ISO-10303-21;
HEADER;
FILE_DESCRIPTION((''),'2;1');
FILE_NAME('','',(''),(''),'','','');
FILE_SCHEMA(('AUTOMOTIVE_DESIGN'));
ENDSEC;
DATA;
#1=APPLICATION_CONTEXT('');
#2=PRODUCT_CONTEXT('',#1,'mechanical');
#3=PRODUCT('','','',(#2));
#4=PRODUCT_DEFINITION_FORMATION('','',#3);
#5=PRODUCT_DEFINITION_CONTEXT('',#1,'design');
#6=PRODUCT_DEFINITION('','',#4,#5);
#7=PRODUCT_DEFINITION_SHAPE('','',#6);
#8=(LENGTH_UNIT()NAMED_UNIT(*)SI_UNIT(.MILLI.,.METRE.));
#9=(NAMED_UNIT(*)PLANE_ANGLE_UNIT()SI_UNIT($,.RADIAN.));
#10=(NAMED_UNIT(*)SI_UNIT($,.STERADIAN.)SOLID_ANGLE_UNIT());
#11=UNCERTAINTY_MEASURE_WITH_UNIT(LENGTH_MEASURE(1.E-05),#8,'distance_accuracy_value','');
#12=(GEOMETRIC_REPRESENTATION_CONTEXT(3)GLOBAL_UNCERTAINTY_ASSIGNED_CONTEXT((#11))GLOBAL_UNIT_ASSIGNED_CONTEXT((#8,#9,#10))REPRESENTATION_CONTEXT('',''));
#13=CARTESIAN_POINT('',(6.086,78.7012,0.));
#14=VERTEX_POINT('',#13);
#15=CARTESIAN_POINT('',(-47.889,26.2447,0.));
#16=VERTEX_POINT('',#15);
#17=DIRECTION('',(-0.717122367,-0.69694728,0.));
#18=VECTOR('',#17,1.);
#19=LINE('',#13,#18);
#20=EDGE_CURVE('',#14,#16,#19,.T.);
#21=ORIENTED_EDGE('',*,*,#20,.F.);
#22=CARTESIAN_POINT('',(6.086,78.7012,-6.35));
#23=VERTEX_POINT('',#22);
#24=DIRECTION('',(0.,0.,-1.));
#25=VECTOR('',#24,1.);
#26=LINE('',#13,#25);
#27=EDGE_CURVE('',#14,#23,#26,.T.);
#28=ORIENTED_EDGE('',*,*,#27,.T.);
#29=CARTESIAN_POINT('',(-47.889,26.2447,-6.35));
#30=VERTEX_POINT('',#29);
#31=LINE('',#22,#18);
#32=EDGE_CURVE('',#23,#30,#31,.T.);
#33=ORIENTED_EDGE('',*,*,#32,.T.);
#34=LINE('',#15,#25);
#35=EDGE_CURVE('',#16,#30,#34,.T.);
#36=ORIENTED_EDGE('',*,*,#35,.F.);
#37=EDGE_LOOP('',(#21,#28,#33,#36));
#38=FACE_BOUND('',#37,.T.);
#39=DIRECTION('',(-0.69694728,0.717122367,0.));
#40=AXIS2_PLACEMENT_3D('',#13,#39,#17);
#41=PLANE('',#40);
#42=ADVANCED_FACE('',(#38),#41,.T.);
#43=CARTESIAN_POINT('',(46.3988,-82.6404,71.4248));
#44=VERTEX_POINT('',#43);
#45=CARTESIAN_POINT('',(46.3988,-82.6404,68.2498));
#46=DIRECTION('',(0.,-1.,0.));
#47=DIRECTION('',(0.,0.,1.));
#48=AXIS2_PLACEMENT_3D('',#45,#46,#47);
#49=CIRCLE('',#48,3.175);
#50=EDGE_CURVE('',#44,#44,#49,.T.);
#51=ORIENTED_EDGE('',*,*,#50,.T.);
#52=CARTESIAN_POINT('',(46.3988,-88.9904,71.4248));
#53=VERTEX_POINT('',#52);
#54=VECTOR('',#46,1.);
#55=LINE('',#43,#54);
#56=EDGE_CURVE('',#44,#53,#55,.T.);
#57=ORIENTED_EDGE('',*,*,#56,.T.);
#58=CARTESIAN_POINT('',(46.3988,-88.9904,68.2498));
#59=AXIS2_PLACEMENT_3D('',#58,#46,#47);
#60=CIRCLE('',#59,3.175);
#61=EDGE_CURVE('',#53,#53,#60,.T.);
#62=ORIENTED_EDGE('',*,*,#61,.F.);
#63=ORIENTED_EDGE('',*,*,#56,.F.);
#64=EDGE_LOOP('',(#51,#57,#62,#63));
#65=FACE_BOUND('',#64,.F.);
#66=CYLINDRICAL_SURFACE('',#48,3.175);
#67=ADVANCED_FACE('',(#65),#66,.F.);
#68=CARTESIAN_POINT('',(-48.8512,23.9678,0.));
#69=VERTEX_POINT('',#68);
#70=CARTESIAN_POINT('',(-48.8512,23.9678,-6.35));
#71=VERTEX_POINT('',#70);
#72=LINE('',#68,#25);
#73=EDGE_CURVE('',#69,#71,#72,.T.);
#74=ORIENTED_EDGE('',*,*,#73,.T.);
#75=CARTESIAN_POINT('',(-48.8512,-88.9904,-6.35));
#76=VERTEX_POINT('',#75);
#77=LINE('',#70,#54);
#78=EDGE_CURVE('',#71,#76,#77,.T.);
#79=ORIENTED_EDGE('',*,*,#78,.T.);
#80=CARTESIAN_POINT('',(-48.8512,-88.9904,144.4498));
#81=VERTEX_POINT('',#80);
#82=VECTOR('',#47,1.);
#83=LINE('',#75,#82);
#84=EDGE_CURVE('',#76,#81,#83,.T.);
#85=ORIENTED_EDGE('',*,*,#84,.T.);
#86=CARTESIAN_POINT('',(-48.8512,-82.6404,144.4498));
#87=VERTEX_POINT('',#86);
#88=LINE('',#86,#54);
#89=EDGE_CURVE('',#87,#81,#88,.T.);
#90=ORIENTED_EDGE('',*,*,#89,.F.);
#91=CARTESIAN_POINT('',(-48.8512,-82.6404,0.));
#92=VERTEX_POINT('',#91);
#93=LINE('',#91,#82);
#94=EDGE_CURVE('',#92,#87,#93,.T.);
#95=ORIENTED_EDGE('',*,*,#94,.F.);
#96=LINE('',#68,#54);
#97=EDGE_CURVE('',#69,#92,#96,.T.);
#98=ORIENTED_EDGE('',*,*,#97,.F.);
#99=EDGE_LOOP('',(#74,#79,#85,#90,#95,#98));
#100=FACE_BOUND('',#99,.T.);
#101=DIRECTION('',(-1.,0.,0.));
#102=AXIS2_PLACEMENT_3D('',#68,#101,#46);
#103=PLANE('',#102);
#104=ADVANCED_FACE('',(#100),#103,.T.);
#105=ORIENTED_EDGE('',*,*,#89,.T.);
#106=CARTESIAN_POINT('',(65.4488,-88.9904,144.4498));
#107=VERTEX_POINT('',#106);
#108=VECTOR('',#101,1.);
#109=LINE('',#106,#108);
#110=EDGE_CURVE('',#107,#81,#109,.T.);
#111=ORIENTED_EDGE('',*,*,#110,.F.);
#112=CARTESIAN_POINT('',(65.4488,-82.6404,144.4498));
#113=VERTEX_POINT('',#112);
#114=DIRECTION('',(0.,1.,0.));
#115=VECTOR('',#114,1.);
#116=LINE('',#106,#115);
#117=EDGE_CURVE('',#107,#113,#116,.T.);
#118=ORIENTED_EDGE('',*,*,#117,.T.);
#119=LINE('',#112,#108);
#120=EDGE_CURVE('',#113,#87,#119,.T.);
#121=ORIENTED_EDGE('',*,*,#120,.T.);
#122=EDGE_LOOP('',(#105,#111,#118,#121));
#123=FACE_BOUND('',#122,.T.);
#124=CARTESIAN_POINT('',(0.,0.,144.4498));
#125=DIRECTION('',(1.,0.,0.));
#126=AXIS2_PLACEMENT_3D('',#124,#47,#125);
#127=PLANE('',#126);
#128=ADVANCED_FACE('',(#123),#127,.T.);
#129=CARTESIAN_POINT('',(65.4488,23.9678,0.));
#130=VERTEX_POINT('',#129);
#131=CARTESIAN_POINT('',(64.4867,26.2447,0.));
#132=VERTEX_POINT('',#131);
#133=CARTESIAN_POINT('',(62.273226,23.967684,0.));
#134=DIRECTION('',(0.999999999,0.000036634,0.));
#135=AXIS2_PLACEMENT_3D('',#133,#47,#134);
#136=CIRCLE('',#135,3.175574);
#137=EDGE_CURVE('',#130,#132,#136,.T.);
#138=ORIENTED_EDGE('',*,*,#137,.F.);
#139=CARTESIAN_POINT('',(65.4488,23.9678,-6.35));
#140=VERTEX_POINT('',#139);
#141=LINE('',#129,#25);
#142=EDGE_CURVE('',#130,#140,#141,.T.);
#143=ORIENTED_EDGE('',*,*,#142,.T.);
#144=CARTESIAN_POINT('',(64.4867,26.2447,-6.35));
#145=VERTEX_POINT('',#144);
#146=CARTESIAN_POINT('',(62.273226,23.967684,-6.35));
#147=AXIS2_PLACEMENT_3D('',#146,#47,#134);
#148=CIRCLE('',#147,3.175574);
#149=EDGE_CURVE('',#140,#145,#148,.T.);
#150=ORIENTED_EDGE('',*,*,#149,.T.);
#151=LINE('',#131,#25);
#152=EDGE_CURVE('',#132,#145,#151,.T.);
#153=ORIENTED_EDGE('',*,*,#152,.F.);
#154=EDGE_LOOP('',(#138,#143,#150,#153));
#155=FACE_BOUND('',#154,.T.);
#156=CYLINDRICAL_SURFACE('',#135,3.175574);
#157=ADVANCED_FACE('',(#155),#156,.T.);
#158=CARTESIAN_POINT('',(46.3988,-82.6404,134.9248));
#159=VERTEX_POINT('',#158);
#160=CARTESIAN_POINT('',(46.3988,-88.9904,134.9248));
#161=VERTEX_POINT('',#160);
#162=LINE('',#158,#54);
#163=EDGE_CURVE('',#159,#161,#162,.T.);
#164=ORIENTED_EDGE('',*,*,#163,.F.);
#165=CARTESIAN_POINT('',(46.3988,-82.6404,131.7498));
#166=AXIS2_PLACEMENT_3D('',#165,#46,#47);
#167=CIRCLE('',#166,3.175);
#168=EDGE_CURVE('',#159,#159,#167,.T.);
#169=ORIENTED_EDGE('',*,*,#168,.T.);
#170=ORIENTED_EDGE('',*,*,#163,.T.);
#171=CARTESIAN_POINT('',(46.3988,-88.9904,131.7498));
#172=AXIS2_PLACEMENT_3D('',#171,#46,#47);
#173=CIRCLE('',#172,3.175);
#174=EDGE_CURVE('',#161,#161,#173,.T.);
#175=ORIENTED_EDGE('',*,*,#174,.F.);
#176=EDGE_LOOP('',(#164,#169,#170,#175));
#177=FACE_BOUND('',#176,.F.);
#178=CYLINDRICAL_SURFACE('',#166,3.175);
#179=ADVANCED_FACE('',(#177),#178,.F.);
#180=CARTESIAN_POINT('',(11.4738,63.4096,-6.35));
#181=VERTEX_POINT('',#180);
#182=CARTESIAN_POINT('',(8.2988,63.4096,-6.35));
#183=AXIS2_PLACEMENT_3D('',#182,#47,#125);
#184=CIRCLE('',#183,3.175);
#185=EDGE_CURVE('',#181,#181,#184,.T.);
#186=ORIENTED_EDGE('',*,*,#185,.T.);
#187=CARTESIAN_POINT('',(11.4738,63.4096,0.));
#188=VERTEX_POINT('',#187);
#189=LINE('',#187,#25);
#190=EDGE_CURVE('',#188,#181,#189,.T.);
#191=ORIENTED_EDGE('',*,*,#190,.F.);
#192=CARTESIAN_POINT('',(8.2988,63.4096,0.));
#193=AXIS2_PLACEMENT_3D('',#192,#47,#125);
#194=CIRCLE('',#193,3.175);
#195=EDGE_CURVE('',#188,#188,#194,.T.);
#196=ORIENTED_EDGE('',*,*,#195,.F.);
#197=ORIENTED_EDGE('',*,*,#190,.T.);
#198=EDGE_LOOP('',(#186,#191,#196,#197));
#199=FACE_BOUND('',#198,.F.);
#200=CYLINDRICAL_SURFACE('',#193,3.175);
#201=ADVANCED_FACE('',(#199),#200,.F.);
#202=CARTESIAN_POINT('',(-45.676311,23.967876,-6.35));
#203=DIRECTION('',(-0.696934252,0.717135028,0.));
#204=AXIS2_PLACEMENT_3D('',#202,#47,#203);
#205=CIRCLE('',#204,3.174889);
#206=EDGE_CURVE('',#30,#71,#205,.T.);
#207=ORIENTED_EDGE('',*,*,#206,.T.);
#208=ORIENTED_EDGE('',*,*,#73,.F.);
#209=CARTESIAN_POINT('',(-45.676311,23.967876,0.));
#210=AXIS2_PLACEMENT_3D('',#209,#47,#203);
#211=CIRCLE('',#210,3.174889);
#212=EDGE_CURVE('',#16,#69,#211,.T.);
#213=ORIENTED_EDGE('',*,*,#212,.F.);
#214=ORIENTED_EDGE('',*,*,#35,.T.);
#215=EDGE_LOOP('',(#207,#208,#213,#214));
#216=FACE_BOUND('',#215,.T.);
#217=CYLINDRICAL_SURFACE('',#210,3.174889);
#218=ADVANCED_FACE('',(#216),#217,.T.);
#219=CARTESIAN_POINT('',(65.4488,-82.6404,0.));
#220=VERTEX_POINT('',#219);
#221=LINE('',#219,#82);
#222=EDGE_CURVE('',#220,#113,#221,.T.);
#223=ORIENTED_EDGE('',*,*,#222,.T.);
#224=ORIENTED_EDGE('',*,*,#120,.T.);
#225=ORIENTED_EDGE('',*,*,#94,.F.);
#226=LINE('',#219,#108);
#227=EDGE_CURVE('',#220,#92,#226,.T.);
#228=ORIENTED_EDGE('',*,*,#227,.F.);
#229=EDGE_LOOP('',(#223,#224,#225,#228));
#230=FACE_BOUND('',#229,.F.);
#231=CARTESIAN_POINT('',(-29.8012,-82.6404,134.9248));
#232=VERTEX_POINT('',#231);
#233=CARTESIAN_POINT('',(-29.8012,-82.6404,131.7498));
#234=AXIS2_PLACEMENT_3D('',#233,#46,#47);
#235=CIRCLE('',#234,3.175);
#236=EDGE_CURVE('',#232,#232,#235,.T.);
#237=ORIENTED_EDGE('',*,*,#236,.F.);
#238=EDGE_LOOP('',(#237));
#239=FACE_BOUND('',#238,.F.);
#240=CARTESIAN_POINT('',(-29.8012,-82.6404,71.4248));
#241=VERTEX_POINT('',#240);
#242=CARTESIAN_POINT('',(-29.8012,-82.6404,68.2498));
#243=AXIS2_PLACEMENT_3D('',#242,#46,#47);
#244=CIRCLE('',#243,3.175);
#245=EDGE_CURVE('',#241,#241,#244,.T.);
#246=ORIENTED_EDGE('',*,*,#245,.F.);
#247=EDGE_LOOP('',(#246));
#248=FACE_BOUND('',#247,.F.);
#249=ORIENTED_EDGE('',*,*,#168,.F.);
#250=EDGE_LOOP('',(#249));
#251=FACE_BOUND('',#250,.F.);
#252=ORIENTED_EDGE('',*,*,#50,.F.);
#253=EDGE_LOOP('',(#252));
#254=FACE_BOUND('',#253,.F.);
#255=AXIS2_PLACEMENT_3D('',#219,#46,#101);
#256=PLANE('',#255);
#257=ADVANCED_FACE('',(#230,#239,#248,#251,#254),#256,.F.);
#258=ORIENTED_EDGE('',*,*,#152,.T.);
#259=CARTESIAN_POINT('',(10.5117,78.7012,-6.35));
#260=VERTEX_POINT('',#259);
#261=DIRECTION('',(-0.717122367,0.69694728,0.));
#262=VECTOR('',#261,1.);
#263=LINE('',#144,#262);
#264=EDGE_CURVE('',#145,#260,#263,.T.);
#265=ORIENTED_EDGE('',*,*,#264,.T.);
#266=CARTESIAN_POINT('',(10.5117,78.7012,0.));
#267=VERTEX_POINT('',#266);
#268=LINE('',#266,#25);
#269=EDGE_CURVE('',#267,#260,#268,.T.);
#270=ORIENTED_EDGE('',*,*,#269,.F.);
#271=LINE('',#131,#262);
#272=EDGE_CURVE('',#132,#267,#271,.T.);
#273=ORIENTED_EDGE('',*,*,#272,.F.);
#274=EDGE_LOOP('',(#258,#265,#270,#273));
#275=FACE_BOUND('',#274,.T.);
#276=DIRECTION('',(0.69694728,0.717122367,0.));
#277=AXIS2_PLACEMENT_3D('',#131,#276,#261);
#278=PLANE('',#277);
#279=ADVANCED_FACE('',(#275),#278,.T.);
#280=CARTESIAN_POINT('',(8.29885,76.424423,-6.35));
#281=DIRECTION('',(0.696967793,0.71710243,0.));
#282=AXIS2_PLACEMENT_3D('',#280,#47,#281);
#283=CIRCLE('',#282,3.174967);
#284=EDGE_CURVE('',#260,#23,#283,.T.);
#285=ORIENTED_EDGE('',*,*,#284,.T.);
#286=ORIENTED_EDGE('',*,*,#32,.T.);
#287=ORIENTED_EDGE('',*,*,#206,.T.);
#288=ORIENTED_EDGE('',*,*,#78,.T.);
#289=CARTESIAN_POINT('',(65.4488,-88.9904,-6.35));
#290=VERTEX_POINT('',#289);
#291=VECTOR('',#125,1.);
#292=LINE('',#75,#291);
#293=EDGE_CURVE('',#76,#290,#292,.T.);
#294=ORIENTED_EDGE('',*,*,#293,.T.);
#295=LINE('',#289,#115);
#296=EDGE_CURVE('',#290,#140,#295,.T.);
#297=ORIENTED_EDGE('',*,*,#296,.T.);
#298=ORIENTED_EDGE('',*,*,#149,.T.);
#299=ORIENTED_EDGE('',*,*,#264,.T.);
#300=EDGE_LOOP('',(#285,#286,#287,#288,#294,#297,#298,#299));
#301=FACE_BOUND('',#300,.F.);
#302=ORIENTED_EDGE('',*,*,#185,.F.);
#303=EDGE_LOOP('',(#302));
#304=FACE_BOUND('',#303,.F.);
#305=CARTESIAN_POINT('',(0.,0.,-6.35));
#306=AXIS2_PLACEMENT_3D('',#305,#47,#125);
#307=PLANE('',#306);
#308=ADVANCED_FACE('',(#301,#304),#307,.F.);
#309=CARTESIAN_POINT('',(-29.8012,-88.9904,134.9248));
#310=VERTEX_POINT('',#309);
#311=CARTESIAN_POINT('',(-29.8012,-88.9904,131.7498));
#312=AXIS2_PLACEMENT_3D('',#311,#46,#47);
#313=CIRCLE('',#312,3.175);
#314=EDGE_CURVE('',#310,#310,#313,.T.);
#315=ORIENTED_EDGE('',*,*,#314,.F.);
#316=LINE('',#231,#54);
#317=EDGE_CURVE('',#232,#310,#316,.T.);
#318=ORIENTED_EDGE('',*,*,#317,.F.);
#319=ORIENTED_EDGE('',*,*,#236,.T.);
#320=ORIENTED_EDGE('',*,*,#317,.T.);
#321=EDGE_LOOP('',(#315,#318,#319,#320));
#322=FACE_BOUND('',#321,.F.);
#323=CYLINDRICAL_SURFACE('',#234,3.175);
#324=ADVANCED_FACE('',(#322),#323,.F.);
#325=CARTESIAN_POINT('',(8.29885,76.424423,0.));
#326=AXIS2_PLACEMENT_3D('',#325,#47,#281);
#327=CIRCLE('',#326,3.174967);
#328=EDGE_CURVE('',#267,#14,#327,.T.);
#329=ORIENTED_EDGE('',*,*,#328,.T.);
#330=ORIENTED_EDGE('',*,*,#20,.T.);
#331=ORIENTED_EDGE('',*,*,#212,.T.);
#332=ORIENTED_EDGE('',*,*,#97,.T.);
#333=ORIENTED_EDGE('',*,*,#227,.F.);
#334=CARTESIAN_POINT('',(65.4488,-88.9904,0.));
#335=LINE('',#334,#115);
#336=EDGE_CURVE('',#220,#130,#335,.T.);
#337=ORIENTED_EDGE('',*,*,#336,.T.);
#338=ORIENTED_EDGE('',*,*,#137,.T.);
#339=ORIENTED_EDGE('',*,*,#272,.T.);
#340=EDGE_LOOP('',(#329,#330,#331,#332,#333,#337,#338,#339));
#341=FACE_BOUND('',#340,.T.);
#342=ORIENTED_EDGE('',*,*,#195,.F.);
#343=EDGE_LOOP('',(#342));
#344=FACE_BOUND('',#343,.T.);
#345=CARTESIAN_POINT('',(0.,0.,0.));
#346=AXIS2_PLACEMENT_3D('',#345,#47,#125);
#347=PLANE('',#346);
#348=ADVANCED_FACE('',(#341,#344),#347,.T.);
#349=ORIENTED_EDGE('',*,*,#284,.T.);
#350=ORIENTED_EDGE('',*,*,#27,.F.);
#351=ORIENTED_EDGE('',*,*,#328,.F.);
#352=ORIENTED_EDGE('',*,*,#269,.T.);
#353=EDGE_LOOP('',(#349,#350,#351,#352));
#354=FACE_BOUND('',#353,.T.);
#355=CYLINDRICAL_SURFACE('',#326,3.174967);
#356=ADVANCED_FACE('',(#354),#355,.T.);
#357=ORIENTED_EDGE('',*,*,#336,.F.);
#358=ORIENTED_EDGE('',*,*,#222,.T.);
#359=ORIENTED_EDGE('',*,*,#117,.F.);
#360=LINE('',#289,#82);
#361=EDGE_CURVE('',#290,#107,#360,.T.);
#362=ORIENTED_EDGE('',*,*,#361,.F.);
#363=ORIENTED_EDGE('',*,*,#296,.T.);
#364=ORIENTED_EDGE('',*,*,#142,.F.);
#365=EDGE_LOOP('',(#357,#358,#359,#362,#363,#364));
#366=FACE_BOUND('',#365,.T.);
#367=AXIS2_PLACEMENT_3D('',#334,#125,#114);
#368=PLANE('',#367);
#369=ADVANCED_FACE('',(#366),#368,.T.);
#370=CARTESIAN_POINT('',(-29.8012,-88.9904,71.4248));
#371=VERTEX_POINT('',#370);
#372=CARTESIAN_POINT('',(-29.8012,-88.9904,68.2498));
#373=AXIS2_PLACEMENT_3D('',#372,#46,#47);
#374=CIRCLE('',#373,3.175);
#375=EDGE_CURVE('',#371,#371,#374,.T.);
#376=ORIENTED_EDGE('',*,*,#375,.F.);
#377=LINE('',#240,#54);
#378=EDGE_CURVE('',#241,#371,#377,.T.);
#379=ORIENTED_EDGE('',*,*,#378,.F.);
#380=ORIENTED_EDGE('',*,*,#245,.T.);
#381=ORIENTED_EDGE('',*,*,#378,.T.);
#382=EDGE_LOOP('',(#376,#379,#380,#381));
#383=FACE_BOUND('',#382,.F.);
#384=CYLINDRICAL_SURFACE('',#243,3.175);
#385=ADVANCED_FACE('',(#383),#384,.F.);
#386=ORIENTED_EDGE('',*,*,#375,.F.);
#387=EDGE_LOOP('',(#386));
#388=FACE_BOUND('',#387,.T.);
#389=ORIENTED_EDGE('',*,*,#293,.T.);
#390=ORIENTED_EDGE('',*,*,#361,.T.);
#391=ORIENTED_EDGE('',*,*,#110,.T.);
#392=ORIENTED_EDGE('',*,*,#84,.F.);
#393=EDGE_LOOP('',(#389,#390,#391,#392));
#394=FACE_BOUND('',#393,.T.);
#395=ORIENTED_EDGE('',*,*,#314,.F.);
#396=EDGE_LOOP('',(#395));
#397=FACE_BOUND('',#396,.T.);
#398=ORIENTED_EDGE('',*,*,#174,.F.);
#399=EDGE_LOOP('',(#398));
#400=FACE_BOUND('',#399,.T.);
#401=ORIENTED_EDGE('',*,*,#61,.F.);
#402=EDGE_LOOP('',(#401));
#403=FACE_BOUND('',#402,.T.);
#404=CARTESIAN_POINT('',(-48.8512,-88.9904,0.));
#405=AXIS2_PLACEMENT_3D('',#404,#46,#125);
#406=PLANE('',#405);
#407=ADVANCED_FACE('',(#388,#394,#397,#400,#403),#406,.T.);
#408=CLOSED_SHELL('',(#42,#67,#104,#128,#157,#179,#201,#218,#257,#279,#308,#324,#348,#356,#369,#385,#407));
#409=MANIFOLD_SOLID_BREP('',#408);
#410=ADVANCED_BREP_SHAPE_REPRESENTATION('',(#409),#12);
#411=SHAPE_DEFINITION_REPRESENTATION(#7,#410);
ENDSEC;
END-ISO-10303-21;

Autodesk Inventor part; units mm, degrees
ref_plane "YZ Plane" through (0, 0, 0) normal (1, 0, 0) x (0, 1, 0)
ref_plane "XZ Plane" through (0, 0, 0) normal (0, 1, 0) x (-1, 0, 0)
ref_plane "XY Plane" through (0, 0, 0) normal (0, 0, 1) x (1, 0, 0)
sketch "Sketch1" plane through (0, 0, 0) normal (0, 0, 1) x (1, 0, 0)
  line L0 (-48.8512, -88.9904) -> (65.4488, -88.9904)
  line L1 (65.4488, -88.9904) -> (65.4488, 23.9678)
  line L2 (64.4867, 26.2447) -> (10.5117, 78.7012)
  line L3 (6.086, 78.7012) -> (-47.889, 26.2447)
  line L4 (-48.8512, 23.9678) -> (-48.8512, -88.9904)
  circle A0 centre (8.2988, 63.4096) radius 3.175
  arc A1 (10.5117, 78.7012) -> (6.086, 78.7012) centre (8.2988, 76.4243) ccw
  arc A2 (-47.889, 26.2447) -> (-48.8512, 23.9678) centre (-45.6762, 23.9678) ccw
  arc A3 (65.4488, 23.9678) -> (64.4867, 26.2447) centre (62.2738, 23.9678) ccw
  point P0 (0, 0)
  point P1 (65.4488, 25.3096)
  point P2 (8.2988, 80.8517)
  point P3 (-48.8512, 25.3096)
  dimension "d0" = 114.3
  dimension "d1" = 114.3
  dimension "d2" = 114.3
  dimension "d3" = 57.15
  dimension "d4" = 6.35
  dimension "d5" = 152.4
  dimension "d6" = 3.175
  dimension "d29" = 57.15
extrude "Extrusion1" add sketch "Sketch1" against normal blind 6.35
sketch "Sketch2" plane through (0, 0, 0) normal (0, 0, 1) x (1, 0, 0)
  line L0 (65.4488, -88.9904) -> (-48.8512, -88.9904) projected
  line L1 (-48.8512, -88.9904) -> (65.4488, -88.9904)
  line L2 (65.4488, -88.9904) -> (65.4488, -82.6404)
  line L3 (65.4488, -82.6404) -> (-48.8512, -82.6404)
  line L4 (-48.8512, -82.6404) -> (-48.8512, -88.9904)
  point P0 (0, 0)
  dimension "d9" = 6.35
  dimension "d30" = 114.3
extrude "Extrusion2" add sketch "Sketch2" along normal blind 144.4498
hole "Hole1" at (-29.8012, -82.6404, 131.7498) direction (0, -1, 0) diameter 6.35 end through all
pattern_linear "Rectangular Pattern1" count 2 spacing 63.5 along (0, 0, -1) count 2 spacing 76.2 along (1, 0, 0) of "Hole1"
properties part number "Braquet Rammasse-Balle"
